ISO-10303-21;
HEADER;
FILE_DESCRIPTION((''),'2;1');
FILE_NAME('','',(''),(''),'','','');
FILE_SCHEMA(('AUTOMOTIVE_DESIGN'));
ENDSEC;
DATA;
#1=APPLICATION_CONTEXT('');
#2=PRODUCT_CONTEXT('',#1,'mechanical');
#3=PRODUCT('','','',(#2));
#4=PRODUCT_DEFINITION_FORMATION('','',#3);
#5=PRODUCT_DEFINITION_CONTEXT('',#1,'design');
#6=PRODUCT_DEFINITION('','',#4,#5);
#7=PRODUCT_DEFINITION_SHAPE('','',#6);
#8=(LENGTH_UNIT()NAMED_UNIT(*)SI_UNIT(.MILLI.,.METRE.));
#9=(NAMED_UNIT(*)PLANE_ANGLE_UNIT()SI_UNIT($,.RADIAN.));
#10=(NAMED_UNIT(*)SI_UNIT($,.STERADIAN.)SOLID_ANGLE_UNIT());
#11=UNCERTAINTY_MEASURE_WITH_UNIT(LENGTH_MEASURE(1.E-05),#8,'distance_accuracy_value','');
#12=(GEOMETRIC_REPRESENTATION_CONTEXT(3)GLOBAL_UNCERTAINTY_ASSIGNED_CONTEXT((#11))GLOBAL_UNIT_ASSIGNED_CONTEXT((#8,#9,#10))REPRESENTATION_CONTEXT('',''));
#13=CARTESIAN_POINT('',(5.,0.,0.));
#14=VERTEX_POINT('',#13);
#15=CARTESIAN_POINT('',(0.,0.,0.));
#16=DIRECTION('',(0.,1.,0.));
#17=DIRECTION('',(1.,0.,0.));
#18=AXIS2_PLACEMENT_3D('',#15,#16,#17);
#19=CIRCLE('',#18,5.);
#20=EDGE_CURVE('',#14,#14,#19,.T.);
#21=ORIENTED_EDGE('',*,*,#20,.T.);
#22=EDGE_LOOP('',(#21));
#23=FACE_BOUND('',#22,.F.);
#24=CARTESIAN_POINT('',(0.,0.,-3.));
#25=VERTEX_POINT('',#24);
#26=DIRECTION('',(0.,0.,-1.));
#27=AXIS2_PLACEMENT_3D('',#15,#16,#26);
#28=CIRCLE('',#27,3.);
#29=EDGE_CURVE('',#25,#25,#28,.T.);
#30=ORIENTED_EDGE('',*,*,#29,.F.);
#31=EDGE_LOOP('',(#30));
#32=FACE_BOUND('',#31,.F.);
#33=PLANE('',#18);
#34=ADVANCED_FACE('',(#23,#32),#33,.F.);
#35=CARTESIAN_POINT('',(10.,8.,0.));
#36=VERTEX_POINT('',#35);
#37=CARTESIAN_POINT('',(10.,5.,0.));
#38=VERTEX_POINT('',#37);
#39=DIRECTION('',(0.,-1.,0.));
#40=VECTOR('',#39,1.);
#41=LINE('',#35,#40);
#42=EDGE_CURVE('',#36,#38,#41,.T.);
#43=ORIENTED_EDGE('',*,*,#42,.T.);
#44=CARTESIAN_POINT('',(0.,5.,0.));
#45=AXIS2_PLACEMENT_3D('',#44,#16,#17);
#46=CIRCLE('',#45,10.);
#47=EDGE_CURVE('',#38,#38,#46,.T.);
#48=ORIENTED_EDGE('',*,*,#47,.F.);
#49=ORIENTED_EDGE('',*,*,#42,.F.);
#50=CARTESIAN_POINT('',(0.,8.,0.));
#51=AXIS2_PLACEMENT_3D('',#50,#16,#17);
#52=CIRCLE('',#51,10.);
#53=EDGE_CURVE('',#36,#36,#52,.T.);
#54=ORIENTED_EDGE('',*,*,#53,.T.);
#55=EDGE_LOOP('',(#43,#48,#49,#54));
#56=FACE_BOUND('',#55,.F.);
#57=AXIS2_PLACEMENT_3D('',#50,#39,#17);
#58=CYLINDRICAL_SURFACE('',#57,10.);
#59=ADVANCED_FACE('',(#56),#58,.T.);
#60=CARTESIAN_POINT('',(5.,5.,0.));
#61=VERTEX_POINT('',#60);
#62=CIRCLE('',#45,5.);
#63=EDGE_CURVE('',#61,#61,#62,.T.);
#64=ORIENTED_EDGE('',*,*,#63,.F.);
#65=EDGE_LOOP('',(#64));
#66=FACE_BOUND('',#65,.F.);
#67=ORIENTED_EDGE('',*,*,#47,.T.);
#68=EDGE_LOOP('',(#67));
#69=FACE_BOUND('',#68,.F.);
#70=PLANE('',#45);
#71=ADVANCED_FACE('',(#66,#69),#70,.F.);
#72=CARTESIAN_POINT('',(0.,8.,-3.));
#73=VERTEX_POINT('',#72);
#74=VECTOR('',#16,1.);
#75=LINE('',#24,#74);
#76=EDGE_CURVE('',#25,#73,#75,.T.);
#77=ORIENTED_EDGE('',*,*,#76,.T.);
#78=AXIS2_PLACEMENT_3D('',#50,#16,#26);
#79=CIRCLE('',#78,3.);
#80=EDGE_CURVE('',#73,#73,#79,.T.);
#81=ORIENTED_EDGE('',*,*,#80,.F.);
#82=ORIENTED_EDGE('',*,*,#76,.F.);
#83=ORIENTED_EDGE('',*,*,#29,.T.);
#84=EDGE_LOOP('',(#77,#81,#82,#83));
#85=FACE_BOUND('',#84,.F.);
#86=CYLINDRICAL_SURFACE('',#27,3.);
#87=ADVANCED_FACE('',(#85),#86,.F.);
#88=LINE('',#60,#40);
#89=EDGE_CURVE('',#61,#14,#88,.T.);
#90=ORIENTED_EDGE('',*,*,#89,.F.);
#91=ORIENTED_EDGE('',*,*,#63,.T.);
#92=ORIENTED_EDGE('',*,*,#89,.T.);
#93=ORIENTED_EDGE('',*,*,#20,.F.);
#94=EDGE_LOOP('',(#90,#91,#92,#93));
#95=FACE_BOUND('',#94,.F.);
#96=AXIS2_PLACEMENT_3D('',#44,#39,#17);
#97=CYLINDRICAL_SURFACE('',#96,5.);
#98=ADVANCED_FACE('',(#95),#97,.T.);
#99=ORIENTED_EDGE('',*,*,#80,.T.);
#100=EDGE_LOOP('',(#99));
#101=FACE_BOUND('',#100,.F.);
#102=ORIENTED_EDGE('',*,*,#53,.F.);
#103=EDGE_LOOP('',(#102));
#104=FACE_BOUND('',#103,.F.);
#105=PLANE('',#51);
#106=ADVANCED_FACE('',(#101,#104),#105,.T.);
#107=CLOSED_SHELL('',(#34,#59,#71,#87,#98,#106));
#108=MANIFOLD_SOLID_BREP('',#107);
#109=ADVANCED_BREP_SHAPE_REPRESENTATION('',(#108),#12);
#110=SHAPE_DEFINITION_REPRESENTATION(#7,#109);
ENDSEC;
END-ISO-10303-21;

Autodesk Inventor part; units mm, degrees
ref_plane "YZ Plane" through (0, 0, 0) normal (1, 0, 0) x (0, 1, 0)
ref_plane "XZ Plane" through (0, 0, 0) normal (0, 1, 0) x (-1, 0, 0)
ref_plane "XY Plane" through (0, 0, 0) normal (0, 0, 1) x (1, 0, 0)
sketch "Sketch1" plane through (0, 0, 0) normal (0, 0, 1) x (1, 0, 0)
  line L0 (0, 0) -> (0, 8)
  line L1 (0, 8) -> (10, 8)
  line L2 (10, 8) -> (10, 5)
  line L3 (10, 5) -> (5, 5)
  line L4 (5, 5) -> (5, 0)
  line L5 (5, 0) -> (0, 0)
  point P0 (2.5, 0)
  dimension "d0" = 3
  dimension "d1" = 5
  dimension "d2" = 20
  dimension "d3" = 10
revolve "Revolution1" add sketch "Sketch1" angle 360 about axis through (0, 0, 0) along (0, 1, 0)
sketch "Sketch2" plane through (0, 0, 0) normal (0, -1, 0) x (1, 0, 0)
  circle A0 centre (0, 0) radius 5 projected
hole "Hole1" at (0, 0, 0) direction (0, 1, 0) diameter 6 depth 8
properties part number "130 part 3" material "Aluminum 6061-AHC"
